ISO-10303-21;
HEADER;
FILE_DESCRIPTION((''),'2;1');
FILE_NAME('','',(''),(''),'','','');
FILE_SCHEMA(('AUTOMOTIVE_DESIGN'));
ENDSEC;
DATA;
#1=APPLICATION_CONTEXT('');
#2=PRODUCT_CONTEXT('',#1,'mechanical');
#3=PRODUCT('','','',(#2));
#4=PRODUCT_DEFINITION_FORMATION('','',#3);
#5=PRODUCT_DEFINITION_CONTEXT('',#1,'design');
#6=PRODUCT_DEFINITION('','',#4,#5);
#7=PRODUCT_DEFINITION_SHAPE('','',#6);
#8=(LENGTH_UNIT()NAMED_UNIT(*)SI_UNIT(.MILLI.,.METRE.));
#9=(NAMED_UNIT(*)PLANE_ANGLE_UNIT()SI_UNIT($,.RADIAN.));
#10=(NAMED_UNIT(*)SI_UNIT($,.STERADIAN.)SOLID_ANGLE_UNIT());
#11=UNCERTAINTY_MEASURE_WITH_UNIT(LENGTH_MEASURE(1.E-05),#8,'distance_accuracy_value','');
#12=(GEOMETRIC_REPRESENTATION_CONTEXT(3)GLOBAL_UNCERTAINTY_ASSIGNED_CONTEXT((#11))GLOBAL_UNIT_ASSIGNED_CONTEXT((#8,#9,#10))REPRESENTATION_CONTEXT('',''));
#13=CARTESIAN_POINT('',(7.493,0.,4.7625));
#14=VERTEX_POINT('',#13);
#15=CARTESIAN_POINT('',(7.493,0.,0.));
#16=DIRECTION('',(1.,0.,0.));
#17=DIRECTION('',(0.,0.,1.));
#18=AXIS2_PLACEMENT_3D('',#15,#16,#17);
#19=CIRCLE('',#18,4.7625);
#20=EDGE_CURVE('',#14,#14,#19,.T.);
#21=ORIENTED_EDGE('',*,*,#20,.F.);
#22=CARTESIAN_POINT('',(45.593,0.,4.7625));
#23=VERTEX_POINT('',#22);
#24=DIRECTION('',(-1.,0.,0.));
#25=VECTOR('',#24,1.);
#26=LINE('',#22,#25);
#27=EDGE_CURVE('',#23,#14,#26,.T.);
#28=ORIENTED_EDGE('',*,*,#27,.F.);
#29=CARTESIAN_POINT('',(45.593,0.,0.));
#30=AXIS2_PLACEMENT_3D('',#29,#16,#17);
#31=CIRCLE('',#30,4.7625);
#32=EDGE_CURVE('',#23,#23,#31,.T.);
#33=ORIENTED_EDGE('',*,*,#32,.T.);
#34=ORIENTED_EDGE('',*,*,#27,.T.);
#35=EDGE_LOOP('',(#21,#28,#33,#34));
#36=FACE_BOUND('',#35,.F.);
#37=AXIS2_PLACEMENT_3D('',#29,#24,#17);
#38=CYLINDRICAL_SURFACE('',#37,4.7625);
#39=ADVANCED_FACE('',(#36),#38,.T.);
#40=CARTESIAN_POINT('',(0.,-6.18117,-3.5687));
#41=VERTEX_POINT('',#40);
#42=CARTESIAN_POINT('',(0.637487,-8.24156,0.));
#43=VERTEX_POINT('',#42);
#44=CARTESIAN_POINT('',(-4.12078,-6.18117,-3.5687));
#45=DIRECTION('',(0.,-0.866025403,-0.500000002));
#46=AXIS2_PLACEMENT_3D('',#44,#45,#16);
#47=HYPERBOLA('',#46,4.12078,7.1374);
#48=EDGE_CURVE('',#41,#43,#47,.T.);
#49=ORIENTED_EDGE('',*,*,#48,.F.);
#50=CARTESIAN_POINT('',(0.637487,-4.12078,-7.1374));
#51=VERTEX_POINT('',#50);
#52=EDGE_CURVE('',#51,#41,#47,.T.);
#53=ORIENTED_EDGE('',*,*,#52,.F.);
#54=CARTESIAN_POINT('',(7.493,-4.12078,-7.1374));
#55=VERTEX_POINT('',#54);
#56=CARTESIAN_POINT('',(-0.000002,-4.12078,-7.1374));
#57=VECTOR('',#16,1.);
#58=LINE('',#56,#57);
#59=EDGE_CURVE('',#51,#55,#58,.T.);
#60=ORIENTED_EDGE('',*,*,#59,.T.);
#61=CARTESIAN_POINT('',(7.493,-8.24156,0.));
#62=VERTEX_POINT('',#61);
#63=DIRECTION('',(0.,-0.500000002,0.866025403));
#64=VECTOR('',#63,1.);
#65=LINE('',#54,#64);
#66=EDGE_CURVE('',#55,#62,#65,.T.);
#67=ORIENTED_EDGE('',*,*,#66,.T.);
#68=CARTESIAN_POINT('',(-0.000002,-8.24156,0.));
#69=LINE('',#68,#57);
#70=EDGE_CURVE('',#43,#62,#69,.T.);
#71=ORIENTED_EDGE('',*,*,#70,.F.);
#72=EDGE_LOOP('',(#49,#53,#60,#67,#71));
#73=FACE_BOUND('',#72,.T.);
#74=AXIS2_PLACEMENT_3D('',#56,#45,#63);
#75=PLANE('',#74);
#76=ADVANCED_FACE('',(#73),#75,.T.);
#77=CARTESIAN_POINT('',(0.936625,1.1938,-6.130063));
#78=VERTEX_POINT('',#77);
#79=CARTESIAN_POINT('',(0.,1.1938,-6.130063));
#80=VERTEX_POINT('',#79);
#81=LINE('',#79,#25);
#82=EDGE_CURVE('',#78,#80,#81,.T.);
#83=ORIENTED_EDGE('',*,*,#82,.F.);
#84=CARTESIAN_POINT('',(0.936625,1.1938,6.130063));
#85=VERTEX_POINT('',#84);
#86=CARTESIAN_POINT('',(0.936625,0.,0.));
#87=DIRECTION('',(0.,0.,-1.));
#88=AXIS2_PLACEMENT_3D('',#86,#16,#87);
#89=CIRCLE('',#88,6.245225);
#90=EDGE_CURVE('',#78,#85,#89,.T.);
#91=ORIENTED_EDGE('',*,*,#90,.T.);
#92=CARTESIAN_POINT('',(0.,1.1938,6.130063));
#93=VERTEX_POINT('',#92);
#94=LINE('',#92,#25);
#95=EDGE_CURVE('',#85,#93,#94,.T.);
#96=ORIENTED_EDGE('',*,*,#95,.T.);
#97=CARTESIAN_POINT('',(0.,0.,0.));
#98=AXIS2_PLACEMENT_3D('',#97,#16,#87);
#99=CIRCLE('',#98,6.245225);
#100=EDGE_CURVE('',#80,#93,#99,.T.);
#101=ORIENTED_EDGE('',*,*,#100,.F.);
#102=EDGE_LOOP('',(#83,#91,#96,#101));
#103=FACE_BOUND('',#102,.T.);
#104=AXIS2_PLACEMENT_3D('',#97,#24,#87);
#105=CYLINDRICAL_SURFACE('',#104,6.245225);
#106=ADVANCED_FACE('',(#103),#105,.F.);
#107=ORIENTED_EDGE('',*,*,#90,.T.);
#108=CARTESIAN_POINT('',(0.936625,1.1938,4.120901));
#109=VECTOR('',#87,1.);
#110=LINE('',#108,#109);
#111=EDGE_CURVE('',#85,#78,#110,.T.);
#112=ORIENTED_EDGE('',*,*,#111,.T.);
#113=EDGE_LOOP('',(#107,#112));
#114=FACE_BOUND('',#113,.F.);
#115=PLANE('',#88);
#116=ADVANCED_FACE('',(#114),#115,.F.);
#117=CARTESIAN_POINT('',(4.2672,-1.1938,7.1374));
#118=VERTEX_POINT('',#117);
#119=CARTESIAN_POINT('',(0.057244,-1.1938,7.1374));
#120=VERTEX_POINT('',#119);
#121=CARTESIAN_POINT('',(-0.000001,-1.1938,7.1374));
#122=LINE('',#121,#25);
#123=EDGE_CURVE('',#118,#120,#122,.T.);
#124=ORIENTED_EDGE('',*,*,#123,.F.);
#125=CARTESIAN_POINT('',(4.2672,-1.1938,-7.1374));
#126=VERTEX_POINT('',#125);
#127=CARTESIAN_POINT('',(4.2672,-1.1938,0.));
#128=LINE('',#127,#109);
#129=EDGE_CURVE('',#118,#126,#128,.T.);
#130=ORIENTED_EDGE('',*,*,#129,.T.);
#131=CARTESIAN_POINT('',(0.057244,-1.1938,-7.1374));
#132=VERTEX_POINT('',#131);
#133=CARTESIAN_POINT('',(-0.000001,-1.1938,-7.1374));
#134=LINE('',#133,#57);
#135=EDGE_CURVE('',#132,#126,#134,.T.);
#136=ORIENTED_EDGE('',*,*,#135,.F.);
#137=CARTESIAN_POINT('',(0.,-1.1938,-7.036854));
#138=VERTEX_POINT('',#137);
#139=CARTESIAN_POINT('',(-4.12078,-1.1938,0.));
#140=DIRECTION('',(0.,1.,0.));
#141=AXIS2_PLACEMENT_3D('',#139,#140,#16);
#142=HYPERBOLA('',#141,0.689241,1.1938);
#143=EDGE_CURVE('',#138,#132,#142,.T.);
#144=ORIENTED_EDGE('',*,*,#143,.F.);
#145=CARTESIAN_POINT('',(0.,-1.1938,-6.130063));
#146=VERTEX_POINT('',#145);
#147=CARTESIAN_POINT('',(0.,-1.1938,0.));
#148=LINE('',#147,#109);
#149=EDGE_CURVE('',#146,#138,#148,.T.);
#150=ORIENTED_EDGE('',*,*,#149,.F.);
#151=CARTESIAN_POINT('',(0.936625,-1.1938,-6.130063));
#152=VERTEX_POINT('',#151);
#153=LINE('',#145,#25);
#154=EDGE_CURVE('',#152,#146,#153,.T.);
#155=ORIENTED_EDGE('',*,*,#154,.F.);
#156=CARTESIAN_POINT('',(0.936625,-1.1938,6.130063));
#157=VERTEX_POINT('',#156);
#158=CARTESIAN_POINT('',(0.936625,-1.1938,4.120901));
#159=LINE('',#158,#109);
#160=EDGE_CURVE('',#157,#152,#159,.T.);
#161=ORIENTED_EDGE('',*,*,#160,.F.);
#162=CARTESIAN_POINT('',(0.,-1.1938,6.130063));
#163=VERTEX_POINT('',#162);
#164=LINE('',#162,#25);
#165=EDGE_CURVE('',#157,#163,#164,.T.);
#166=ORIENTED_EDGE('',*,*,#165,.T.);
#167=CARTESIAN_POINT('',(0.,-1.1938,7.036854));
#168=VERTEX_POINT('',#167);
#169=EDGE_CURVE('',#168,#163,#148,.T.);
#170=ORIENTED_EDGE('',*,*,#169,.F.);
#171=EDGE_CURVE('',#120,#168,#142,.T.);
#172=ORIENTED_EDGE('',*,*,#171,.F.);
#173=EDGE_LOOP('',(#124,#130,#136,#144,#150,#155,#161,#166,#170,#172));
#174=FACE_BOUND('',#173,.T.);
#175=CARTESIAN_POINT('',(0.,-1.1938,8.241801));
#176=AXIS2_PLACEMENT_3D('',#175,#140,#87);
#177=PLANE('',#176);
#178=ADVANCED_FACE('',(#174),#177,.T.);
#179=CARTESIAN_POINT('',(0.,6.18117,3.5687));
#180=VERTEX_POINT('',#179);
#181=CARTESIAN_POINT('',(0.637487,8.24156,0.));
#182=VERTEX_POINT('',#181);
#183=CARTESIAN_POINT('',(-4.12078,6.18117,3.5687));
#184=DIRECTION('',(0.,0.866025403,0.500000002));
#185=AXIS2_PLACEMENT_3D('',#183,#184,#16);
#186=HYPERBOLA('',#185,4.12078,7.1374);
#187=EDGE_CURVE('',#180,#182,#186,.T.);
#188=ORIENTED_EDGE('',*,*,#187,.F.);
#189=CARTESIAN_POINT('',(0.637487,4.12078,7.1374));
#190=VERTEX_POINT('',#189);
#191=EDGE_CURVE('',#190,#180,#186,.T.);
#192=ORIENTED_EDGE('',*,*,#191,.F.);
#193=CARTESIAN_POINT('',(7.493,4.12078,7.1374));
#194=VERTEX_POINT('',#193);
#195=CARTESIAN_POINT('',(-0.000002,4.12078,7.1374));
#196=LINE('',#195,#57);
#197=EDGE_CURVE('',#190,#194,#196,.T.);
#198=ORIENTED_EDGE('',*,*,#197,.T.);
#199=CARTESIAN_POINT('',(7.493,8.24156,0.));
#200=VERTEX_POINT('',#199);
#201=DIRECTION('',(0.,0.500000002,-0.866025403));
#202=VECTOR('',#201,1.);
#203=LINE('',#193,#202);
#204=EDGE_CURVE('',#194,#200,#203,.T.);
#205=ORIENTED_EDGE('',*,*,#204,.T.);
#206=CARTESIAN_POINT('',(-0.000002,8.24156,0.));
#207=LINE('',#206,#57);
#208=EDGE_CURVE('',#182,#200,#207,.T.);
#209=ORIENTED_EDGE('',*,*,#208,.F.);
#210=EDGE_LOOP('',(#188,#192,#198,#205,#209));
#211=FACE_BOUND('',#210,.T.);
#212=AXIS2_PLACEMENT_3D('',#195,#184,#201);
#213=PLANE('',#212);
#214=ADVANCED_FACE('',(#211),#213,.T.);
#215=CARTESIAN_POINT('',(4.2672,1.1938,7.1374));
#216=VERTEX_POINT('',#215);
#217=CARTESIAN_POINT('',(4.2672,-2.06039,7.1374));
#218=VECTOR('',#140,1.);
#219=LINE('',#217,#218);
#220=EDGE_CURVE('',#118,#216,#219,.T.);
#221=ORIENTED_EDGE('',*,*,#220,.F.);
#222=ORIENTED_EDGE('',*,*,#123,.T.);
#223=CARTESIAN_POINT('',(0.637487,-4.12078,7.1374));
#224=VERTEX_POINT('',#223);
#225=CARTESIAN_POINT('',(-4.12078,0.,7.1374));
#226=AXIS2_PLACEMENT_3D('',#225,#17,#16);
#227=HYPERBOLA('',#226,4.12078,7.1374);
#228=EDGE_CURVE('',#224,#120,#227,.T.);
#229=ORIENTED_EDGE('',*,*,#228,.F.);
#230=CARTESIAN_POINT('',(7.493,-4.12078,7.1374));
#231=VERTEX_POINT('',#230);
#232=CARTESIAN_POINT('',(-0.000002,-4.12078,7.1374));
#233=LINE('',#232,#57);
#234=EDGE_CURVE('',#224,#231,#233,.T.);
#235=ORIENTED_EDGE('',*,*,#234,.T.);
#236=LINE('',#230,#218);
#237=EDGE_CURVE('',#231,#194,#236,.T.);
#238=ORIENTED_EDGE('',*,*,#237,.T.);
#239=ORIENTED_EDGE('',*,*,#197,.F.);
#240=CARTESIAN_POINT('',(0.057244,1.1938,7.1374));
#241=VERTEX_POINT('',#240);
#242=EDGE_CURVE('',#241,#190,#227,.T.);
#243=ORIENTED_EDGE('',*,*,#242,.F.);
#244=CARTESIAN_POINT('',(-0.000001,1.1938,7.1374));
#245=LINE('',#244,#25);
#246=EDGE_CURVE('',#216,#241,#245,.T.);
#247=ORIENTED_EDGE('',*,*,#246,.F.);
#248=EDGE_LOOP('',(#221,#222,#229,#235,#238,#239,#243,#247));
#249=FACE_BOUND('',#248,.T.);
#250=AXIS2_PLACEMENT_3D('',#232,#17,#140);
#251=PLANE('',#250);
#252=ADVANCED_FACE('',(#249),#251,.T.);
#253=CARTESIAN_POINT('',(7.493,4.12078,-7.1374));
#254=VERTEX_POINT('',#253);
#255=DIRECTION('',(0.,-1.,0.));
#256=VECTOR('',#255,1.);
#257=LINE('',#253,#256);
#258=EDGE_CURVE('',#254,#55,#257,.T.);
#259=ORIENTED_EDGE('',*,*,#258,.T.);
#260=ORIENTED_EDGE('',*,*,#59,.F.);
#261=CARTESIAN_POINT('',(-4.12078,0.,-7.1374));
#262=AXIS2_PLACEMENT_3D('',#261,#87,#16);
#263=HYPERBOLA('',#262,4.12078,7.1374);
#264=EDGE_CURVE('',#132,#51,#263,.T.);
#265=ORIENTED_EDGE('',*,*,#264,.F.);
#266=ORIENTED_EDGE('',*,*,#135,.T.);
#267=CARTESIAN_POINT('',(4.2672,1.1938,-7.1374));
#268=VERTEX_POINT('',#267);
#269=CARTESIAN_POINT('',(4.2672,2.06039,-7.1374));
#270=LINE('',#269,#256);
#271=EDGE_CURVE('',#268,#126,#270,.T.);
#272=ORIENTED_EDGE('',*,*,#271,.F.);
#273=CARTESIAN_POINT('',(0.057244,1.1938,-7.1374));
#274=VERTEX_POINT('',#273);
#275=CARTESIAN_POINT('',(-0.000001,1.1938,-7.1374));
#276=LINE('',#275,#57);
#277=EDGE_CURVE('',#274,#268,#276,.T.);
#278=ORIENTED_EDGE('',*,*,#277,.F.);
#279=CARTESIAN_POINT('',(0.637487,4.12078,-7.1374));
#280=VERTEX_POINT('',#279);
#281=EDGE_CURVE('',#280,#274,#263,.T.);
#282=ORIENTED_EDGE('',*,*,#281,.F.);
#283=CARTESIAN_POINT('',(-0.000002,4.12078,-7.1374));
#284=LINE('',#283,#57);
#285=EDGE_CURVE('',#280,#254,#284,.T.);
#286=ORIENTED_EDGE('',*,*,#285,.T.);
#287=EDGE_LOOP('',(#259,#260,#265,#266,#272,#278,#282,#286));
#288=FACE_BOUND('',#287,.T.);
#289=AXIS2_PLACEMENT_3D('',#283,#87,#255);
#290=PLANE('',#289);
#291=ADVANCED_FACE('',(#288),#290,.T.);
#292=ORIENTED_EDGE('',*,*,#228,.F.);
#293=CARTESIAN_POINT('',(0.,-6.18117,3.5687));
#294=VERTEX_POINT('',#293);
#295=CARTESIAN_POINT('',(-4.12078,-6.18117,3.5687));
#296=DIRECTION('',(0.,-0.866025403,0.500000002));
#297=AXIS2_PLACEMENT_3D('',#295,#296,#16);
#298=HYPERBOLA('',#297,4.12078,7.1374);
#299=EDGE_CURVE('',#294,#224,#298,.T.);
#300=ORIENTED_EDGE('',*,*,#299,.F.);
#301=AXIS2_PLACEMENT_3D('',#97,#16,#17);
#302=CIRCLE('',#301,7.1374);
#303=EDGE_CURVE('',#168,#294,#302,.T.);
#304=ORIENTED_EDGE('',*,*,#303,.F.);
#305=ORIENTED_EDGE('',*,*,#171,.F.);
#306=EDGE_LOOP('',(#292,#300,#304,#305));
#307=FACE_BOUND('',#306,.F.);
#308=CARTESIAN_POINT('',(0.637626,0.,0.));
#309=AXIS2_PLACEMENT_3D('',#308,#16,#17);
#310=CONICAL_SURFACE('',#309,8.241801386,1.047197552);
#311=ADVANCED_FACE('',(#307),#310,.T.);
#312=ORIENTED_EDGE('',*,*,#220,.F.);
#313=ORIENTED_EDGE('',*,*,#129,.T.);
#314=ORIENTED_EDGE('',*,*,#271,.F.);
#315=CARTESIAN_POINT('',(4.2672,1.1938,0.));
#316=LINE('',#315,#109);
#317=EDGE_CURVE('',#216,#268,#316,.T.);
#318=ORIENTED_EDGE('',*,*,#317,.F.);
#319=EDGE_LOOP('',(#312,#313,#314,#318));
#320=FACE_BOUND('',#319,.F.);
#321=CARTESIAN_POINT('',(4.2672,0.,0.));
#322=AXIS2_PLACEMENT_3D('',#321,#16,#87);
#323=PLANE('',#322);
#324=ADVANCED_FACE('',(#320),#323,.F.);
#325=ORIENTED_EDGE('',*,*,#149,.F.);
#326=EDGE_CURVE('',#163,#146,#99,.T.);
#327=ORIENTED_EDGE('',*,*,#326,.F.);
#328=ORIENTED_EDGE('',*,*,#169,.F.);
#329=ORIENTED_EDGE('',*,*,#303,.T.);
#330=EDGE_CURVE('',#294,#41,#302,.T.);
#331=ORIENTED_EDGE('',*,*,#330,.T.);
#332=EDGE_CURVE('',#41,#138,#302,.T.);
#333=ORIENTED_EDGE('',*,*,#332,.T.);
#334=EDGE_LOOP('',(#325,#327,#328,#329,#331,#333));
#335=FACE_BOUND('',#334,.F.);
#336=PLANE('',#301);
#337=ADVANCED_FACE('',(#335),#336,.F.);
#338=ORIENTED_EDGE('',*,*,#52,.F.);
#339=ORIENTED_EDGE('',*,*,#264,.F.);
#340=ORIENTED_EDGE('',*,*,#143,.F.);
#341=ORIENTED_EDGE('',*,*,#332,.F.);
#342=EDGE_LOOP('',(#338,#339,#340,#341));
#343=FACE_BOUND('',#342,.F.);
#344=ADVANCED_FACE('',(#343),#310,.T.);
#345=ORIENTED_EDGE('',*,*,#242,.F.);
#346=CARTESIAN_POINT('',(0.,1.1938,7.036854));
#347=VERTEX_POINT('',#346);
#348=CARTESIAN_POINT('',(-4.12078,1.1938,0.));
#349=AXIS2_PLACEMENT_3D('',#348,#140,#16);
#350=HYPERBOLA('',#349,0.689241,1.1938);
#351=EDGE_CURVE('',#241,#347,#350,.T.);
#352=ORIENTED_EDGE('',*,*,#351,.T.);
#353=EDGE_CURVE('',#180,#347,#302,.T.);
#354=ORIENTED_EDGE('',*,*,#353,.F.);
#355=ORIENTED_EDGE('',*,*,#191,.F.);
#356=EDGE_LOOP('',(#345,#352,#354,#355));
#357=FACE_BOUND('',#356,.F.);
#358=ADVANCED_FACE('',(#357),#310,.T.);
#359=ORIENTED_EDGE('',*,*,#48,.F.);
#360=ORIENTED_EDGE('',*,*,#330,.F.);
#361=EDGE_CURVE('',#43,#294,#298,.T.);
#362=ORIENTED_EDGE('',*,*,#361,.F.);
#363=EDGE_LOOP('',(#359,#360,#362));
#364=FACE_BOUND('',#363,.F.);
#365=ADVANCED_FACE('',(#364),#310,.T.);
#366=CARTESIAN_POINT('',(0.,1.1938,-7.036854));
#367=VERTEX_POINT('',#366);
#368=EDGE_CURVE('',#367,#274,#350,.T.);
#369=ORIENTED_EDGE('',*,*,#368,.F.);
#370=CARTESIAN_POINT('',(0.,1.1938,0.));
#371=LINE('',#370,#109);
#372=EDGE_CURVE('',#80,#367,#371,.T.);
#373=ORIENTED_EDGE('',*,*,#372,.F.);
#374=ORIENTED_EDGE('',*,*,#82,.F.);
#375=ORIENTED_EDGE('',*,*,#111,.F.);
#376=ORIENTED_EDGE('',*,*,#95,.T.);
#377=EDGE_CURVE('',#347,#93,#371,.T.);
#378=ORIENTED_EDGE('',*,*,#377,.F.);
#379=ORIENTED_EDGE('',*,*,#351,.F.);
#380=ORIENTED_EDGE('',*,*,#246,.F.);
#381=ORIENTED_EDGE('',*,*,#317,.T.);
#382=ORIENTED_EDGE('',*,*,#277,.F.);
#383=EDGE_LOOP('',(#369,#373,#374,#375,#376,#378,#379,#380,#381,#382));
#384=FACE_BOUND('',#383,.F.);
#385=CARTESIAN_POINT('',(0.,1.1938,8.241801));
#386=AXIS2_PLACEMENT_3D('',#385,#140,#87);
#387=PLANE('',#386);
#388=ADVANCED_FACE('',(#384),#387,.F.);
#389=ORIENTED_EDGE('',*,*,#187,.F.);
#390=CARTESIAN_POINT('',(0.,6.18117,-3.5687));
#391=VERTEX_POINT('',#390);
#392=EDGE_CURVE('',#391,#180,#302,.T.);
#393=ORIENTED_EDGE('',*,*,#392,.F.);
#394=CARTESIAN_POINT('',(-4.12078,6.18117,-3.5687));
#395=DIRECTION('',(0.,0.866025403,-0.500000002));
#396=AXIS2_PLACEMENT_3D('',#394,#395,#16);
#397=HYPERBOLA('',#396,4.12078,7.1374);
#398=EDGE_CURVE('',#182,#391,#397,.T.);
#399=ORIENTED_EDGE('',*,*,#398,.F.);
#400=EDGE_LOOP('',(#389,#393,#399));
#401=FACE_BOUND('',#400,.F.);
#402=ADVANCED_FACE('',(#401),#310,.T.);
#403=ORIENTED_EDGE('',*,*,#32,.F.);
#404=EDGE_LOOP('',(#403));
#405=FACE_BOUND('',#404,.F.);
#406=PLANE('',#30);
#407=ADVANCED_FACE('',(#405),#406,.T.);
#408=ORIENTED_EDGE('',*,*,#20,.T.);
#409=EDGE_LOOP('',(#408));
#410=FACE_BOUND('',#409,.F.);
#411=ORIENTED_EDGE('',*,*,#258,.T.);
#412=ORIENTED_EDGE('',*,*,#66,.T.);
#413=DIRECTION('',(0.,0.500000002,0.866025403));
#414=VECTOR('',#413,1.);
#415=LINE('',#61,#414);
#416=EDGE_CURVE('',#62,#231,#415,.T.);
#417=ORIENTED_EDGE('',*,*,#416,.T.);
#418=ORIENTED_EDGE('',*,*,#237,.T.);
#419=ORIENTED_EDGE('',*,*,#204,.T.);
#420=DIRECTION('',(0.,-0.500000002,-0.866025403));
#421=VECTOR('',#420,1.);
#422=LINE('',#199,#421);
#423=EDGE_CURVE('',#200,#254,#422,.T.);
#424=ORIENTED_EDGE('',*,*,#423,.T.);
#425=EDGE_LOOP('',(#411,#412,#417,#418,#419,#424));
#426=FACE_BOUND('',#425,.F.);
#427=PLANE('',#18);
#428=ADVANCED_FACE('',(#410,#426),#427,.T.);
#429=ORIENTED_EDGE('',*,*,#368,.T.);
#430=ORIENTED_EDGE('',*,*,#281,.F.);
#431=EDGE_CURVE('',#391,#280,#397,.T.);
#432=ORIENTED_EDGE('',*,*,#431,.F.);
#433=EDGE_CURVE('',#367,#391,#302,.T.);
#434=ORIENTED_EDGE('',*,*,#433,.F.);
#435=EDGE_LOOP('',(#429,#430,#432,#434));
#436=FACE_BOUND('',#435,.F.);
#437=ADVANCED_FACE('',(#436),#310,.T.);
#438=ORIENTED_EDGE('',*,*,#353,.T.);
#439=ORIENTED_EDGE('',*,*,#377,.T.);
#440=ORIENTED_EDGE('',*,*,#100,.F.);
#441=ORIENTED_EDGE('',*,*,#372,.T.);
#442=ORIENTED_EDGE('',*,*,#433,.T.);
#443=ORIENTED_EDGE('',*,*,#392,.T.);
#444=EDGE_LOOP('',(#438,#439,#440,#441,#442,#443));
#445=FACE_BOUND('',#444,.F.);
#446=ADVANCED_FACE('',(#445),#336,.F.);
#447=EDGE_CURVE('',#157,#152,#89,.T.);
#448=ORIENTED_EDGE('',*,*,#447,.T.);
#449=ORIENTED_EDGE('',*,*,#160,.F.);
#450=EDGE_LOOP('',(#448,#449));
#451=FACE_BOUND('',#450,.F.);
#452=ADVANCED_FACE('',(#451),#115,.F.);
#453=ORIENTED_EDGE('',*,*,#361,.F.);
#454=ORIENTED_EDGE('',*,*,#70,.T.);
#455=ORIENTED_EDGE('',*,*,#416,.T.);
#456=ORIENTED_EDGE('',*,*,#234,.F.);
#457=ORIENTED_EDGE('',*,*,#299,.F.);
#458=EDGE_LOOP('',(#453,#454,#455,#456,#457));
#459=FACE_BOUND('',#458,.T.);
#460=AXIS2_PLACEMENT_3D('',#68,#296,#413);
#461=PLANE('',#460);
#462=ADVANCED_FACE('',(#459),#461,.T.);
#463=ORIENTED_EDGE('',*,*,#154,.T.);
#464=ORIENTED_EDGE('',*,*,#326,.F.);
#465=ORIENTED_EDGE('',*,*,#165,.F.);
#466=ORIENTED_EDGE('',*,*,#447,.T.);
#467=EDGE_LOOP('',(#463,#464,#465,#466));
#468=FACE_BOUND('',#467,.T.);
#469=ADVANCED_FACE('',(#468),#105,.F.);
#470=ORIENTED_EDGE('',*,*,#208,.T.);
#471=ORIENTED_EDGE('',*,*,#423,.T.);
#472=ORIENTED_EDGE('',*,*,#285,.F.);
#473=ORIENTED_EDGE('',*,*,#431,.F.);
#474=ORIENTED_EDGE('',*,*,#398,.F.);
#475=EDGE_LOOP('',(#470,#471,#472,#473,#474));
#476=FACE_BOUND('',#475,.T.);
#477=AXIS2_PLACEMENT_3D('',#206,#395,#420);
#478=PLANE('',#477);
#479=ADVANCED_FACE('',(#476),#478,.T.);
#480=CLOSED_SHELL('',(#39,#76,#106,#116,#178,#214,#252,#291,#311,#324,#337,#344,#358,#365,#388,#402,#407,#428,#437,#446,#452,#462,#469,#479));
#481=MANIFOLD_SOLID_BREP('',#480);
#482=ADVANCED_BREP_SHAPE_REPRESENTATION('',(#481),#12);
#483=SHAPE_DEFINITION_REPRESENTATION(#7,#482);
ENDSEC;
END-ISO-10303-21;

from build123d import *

# Parameters (mm, degrees)
HEX_DIE_START = -2e-06
SKETCH2_R     = 8.3242194
HEX_DIE_DEPTH = 7.493002
SKETCH3_W     = 16.483602772
SKETCH3_H     = 2.3876
SLOT_DEPTH    = 4.2672
SKETCH4_R     = 6.245225
INDENT_DEPTH  = 0.936625


with BuildPart() as part:
    # BodySke → Base-Revolve (revolve)
    with BuildSketch(Plane.XY, mode=Mode.PRIVATE) as base_revolve_sk:
        Polygon((7.493, 4.7625), (7.493, 8.241801386), (0.637626437, 8.241801386), (0, 7.1374), (0, 0), (45.593, 0), (45.593, 4.7625), align=None)
    revolve(base_revolve_sk.sketch.rotate(Axis((-25.4, 0, 0), (1, 0, 0)), 90), axis=Axis((-25.4, 0, 0), (1, 0, 0)))

    # Sketch2 → Hex-Die (cut)
    with BuildSketch(Plane(origin=(0, 0, 0), x_dir=(0, 0, -1), z_dir=(1, 0, 0)).offset(HEX_DIE_START)):
        Circle(SKETCH2_R)
        Polygon((-7.1374, 4.120779829), (0, 8.241559659), (7.1374, 4.120779829), (7.1374, -4.120779829), (0, -8.241559659), (-7.1374, -4.120779829), align=None, mode=Mode.SUBTRACT)
    extrude(amount=HEX_DIE_DEPTH, mode=Mode.SUBTRACT)

    # Sketch3 → Slot (cut)
    with BuildSketch(Plane(origin=(0, 0, 0), x_dir=(0, 0, -1), z_dir=(1, 0, 0))):
        Rectangle(SKETCH3_W, SKETCH3_H)
    extrude(amount=SLOT_DEPTH, mode=Mode.SUBTRACT)

    # Sketch4 → Indent (cut)
    with BuildSketch(Plane(origin=(0, 0, 0), x_dir=(0, 0, -1), z_dir=(1, 0, 0))):
        Circle(SKETCH4_R)
    extrude(amount=INDENT_DEPTH, mode=Mode.SUBTRACT)


solid = part.part
